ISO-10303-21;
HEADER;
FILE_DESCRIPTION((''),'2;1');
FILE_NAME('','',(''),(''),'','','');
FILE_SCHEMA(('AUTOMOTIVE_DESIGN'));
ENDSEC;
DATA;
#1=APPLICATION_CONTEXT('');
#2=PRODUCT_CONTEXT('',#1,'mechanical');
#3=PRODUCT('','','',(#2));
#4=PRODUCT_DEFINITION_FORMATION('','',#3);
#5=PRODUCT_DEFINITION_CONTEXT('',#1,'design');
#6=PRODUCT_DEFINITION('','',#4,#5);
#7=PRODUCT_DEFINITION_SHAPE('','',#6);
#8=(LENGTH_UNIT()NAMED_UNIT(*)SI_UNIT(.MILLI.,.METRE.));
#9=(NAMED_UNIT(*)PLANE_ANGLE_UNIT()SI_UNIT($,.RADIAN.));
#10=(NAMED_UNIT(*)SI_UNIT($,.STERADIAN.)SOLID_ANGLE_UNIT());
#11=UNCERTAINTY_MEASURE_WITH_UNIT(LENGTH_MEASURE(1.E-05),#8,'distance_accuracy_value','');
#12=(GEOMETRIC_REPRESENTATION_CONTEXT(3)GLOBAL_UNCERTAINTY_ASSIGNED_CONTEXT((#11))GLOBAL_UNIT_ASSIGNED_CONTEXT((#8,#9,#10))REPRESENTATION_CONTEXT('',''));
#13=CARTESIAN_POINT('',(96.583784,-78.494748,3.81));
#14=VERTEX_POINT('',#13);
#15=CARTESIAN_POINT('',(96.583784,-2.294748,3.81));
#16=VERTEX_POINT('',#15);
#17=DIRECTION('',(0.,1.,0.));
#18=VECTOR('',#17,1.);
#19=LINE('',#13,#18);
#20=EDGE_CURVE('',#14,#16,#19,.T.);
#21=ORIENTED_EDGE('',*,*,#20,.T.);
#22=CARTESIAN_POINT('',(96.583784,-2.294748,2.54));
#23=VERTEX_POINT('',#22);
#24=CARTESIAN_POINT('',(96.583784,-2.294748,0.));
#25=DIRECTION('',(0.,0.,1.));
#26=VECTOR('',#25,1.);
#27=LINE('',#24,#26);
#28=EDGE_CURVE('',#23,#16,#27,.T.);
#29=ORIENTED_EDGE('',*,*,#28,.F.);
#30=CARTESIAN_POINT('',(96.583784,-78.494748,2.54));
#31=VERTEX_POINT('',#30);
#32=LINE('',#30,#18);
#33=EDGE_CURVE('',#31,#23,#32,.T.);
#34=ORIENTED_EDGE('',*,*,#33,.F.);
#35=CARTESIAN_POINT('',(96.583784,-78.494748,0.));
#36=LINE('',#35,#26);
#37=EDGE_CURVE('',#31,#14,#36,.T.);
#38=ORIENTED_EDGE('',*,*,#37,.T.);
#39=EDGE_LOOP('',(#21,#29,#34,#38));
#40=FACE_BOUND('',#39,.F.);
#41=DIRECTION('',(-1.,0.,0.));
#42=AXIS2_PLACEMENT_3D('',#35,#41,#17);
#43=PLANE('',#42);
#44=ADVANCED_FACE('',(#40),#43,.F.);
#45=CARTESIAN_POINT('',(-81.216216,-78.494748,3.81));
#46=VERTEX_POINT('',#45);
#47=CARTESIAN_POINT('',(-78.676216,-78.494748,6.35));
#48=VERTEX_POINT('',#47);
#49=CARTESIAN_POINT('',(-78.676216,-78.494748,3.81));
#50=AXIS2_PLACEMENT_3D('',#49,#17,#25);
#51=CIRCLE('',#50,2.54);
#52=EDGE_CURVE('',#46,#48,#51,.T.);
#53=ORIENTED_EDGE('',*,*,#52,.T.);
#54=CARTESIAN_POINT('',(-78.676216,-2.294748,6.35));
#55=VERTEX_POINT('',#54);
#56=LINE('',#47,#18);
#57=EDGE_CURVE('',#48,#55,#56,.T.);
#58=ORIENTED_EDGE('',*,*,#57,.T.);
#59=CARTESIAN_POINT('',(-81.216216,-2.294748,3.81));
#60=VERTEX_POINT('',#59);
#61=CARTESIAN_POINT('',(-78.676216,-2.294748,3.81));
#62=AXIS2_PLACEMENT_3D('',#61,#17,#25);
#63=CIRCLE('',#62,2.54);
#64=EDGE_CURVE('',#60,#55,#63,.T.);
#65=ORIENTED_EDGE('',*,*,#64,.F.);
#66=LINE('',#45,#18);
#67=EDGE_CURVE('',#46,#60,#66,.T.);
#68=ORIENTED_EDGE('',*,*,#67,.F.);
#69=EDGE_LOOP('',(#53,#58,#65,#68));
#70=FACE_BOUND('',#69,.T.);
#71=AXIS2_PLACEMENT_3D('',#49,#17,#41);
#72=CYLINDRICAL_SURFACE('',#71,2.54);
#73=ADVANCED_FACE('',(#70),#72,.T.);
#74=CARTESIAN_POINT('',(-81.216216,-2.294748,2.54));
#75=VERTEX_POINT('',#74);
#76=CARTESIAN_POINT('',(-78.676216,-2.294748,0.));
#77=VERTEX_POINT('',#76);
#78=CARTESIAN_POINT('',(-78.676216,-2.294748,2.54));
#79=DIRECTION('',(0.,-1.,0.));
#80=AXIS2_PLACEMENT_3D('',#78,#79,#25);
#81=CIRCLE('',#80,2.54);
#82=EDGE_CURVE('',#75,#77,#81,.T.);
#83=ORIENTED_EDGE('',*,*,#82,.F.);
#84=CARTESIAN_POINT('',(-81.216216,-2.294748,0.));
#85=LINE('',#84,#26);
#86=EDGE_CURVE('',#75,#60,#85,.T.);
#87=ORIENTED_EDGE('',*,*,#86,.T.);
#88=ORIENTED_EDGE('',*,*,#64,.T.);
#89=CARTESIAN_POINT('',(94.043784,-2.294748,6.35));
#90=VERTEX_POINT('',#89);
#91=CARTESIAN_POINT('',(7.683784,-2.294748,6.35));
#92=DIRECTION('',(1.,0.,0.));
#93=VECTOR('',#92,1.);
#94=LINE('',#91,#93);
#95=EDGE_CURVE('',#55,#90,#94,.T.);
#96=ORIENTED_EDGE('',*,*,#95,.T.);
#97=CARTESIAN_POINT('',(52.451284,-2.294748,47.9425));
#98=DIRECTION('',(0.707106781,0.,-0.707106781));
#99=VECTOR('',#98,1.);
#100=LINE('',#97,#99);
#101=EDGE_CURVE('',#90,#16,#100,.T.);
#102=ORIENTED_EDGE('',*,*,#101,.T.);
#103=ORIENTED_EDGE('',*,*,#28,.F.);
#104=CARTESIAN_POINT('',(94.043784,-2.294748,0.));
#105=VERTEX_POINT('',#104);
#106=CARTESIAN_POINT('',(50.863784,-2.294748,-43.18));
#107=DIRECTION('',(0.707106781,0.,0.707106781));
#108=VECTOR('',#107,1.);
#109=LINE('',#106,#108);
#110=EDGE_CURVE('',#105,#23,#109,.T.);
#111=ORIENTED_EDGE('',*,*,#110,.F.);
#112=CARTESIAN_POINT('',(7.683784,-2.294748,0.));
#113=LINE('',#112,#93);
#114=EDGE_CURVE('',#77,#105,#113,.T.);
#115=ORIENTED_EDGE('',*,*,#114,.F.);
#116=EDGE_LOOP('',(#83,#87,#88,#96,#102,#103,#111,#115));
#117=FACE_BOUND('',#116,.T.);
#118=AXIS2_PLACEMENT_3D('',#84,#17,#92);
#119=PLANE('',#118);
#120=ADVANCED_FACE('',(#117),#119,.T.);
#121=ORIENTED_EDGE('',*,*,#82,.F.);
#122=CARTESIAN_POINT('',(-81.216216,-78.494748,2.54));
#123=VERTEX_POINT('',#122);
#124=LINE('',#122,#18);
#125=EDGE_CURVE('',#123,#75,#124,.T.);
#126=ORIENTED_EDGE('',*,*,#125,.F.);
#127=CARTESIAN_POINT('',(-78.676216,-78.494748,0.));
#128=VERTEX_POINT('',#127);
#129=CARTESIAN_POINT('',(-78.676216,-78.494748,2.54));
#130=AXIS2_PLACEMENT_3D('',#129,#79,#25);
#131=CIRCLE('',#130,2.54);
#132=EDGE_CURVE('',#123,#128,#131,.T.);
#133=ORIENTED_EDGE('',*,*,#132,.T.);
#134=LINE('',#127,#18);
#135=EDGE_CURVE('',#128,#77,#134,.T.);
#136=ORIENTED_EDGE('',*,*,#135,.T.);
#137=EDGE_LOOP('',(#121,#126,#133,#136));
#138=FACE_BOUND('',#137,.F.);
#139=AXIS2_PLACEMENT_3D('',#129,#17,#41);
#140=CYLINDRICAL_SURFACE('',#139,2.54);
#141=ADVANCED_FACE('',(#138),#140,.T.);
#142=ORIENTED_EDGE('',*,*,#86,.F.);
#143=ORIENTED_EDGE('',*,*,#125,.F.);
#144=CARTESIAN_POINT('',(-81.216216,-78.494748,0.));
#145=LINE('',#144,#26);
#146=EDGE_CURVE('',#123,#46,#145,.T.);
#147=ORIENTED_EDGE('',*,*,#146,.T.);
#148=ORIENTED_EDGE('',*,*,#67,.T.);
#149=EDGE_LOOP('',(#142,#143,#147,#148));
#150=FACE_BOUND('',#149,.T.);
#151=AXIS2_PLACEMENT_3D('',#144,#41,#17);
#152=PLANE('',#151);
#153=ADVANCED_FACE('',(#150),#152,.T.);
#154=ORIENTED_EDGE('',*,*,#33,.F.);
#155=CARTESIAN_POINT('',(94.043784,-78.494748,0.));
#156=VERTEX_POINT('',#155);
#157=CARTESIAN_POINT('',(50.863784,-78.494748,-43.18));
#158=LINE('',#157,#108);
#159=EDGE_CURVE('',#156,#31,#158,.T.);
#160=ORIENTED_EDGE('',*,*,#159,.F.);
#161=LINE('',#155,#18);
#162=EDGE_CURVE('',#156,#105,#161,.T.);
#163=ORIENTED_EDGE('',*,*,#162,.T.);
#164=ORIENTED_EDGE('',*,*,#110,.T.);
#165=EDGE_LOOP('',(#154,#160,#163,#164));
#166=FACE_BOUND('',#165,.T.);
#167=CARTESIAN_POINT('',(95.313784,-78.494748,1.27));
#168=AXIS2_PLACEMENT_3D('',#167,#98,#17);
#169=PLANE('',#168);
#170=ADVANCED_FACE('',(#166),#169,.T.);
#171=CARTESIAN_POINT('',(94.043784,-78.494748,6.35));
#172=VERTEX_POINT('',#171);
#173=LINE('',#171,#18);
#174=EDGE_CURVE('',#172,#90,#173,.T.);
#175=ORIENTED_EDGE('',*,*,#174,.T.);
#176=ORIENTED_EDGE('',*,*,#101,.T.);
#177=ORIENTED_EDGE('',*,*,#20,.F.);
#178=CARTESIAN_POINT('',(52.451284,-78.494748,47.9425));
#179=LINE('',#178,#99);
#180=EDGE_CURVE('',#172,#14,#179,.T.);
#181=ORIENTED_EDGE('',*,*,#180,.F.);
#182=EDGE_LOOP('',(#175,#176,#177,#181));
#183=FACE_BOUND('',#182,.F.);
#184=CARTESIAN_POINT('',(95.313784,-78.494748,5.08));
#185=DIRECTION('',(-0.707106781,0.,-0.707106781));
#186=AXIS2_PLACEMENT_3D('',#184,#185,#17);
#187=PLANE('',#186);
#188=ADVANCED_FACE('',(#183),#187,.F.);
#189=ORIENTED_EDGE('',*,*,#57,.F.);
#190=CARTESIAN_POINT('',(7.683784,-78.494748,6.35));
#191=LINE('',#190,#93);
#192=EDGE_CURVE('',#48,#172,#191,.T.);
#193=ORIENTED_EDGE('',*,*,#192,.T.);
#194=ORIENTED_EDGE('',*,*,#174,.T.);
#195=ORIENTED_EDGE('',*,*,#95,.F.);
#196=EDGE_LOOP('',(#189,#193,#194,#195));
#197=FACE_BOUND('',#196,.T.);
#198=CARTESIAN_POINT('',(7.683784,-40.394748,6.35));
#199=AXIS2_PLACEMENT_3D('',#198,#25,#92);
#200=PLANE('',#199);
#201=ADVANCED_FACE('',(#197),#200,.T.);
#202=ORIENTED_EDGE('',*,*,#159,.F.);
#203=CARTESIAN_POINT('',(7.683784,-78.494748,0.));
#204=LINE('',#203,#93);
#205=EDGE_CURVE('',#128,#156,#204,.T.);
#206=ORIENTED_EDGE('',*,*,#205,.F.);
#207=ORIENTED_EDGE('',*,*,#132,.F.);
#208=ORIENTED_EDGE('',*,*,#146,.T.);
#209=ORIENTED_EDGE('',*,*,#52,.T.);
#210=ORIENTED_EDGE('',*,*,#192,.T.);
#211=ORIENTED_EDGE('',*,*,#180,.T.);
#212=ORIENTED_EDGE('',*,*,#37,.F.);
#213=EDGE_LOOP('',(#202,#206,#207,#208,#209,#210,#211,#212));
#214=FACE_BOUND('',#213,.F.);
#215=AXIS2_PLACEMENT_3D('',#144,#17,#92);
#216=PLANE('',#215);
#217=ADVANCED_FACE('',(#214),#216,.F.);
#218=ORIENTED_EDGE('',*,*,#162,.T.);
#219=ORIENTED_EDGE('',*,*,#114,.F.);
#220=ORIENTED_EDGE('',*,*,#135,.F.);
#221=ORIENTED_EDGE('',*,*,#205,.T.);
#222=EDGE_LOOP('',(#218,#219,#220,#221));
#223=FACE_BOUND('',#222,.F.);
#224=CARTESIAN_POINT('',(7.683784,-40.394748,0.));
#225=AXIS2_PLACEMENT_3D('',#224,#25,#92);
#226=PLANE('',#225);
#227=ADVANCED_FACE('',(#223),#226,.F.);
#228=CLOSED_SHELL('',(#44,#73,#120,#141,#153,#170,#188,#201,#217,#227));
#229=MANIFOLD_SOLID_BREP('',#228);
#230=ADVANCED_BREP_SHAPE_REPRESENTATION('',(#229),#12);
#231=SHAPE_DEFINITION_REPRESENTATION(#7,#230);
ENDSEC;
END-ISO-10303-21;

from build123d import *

# Parameters (mm, degrees)
F0_W     = 177.8
F0_H     = 76.2
F1_DEPTH = 6.35
F2_R     = 2.54
F3_SIZE  = 2.54


with BuildPart() as f1:
    # F0 (on Top) → F1 (new body)
    with BuildSketch(Plane.XY):
        with Locations((7.683784, -40.394748)):
            Rectangle(F0_W, F0_H)
    extrude(amount=F1_DEPTH)

    # F2
    f2_edges = [f1.edges().sort_by_distance(p)[0] for p in [
        (-81.216216, -40.394748, 0),
        (-81.216216, -40.394748, 6.35),
    ]]
    fillet(f2_edges, radius=F2_R)

    # F3
    f3_edges = [f1.edges().sort_by_distance(p)[0] for p in [
        (96.583784, -40.394748, 6.35),
        (96.583784, -40.394748, 0),
    ]]
    chamfer(f3_edges, length=F3_SIZE)


solid = f1.part
